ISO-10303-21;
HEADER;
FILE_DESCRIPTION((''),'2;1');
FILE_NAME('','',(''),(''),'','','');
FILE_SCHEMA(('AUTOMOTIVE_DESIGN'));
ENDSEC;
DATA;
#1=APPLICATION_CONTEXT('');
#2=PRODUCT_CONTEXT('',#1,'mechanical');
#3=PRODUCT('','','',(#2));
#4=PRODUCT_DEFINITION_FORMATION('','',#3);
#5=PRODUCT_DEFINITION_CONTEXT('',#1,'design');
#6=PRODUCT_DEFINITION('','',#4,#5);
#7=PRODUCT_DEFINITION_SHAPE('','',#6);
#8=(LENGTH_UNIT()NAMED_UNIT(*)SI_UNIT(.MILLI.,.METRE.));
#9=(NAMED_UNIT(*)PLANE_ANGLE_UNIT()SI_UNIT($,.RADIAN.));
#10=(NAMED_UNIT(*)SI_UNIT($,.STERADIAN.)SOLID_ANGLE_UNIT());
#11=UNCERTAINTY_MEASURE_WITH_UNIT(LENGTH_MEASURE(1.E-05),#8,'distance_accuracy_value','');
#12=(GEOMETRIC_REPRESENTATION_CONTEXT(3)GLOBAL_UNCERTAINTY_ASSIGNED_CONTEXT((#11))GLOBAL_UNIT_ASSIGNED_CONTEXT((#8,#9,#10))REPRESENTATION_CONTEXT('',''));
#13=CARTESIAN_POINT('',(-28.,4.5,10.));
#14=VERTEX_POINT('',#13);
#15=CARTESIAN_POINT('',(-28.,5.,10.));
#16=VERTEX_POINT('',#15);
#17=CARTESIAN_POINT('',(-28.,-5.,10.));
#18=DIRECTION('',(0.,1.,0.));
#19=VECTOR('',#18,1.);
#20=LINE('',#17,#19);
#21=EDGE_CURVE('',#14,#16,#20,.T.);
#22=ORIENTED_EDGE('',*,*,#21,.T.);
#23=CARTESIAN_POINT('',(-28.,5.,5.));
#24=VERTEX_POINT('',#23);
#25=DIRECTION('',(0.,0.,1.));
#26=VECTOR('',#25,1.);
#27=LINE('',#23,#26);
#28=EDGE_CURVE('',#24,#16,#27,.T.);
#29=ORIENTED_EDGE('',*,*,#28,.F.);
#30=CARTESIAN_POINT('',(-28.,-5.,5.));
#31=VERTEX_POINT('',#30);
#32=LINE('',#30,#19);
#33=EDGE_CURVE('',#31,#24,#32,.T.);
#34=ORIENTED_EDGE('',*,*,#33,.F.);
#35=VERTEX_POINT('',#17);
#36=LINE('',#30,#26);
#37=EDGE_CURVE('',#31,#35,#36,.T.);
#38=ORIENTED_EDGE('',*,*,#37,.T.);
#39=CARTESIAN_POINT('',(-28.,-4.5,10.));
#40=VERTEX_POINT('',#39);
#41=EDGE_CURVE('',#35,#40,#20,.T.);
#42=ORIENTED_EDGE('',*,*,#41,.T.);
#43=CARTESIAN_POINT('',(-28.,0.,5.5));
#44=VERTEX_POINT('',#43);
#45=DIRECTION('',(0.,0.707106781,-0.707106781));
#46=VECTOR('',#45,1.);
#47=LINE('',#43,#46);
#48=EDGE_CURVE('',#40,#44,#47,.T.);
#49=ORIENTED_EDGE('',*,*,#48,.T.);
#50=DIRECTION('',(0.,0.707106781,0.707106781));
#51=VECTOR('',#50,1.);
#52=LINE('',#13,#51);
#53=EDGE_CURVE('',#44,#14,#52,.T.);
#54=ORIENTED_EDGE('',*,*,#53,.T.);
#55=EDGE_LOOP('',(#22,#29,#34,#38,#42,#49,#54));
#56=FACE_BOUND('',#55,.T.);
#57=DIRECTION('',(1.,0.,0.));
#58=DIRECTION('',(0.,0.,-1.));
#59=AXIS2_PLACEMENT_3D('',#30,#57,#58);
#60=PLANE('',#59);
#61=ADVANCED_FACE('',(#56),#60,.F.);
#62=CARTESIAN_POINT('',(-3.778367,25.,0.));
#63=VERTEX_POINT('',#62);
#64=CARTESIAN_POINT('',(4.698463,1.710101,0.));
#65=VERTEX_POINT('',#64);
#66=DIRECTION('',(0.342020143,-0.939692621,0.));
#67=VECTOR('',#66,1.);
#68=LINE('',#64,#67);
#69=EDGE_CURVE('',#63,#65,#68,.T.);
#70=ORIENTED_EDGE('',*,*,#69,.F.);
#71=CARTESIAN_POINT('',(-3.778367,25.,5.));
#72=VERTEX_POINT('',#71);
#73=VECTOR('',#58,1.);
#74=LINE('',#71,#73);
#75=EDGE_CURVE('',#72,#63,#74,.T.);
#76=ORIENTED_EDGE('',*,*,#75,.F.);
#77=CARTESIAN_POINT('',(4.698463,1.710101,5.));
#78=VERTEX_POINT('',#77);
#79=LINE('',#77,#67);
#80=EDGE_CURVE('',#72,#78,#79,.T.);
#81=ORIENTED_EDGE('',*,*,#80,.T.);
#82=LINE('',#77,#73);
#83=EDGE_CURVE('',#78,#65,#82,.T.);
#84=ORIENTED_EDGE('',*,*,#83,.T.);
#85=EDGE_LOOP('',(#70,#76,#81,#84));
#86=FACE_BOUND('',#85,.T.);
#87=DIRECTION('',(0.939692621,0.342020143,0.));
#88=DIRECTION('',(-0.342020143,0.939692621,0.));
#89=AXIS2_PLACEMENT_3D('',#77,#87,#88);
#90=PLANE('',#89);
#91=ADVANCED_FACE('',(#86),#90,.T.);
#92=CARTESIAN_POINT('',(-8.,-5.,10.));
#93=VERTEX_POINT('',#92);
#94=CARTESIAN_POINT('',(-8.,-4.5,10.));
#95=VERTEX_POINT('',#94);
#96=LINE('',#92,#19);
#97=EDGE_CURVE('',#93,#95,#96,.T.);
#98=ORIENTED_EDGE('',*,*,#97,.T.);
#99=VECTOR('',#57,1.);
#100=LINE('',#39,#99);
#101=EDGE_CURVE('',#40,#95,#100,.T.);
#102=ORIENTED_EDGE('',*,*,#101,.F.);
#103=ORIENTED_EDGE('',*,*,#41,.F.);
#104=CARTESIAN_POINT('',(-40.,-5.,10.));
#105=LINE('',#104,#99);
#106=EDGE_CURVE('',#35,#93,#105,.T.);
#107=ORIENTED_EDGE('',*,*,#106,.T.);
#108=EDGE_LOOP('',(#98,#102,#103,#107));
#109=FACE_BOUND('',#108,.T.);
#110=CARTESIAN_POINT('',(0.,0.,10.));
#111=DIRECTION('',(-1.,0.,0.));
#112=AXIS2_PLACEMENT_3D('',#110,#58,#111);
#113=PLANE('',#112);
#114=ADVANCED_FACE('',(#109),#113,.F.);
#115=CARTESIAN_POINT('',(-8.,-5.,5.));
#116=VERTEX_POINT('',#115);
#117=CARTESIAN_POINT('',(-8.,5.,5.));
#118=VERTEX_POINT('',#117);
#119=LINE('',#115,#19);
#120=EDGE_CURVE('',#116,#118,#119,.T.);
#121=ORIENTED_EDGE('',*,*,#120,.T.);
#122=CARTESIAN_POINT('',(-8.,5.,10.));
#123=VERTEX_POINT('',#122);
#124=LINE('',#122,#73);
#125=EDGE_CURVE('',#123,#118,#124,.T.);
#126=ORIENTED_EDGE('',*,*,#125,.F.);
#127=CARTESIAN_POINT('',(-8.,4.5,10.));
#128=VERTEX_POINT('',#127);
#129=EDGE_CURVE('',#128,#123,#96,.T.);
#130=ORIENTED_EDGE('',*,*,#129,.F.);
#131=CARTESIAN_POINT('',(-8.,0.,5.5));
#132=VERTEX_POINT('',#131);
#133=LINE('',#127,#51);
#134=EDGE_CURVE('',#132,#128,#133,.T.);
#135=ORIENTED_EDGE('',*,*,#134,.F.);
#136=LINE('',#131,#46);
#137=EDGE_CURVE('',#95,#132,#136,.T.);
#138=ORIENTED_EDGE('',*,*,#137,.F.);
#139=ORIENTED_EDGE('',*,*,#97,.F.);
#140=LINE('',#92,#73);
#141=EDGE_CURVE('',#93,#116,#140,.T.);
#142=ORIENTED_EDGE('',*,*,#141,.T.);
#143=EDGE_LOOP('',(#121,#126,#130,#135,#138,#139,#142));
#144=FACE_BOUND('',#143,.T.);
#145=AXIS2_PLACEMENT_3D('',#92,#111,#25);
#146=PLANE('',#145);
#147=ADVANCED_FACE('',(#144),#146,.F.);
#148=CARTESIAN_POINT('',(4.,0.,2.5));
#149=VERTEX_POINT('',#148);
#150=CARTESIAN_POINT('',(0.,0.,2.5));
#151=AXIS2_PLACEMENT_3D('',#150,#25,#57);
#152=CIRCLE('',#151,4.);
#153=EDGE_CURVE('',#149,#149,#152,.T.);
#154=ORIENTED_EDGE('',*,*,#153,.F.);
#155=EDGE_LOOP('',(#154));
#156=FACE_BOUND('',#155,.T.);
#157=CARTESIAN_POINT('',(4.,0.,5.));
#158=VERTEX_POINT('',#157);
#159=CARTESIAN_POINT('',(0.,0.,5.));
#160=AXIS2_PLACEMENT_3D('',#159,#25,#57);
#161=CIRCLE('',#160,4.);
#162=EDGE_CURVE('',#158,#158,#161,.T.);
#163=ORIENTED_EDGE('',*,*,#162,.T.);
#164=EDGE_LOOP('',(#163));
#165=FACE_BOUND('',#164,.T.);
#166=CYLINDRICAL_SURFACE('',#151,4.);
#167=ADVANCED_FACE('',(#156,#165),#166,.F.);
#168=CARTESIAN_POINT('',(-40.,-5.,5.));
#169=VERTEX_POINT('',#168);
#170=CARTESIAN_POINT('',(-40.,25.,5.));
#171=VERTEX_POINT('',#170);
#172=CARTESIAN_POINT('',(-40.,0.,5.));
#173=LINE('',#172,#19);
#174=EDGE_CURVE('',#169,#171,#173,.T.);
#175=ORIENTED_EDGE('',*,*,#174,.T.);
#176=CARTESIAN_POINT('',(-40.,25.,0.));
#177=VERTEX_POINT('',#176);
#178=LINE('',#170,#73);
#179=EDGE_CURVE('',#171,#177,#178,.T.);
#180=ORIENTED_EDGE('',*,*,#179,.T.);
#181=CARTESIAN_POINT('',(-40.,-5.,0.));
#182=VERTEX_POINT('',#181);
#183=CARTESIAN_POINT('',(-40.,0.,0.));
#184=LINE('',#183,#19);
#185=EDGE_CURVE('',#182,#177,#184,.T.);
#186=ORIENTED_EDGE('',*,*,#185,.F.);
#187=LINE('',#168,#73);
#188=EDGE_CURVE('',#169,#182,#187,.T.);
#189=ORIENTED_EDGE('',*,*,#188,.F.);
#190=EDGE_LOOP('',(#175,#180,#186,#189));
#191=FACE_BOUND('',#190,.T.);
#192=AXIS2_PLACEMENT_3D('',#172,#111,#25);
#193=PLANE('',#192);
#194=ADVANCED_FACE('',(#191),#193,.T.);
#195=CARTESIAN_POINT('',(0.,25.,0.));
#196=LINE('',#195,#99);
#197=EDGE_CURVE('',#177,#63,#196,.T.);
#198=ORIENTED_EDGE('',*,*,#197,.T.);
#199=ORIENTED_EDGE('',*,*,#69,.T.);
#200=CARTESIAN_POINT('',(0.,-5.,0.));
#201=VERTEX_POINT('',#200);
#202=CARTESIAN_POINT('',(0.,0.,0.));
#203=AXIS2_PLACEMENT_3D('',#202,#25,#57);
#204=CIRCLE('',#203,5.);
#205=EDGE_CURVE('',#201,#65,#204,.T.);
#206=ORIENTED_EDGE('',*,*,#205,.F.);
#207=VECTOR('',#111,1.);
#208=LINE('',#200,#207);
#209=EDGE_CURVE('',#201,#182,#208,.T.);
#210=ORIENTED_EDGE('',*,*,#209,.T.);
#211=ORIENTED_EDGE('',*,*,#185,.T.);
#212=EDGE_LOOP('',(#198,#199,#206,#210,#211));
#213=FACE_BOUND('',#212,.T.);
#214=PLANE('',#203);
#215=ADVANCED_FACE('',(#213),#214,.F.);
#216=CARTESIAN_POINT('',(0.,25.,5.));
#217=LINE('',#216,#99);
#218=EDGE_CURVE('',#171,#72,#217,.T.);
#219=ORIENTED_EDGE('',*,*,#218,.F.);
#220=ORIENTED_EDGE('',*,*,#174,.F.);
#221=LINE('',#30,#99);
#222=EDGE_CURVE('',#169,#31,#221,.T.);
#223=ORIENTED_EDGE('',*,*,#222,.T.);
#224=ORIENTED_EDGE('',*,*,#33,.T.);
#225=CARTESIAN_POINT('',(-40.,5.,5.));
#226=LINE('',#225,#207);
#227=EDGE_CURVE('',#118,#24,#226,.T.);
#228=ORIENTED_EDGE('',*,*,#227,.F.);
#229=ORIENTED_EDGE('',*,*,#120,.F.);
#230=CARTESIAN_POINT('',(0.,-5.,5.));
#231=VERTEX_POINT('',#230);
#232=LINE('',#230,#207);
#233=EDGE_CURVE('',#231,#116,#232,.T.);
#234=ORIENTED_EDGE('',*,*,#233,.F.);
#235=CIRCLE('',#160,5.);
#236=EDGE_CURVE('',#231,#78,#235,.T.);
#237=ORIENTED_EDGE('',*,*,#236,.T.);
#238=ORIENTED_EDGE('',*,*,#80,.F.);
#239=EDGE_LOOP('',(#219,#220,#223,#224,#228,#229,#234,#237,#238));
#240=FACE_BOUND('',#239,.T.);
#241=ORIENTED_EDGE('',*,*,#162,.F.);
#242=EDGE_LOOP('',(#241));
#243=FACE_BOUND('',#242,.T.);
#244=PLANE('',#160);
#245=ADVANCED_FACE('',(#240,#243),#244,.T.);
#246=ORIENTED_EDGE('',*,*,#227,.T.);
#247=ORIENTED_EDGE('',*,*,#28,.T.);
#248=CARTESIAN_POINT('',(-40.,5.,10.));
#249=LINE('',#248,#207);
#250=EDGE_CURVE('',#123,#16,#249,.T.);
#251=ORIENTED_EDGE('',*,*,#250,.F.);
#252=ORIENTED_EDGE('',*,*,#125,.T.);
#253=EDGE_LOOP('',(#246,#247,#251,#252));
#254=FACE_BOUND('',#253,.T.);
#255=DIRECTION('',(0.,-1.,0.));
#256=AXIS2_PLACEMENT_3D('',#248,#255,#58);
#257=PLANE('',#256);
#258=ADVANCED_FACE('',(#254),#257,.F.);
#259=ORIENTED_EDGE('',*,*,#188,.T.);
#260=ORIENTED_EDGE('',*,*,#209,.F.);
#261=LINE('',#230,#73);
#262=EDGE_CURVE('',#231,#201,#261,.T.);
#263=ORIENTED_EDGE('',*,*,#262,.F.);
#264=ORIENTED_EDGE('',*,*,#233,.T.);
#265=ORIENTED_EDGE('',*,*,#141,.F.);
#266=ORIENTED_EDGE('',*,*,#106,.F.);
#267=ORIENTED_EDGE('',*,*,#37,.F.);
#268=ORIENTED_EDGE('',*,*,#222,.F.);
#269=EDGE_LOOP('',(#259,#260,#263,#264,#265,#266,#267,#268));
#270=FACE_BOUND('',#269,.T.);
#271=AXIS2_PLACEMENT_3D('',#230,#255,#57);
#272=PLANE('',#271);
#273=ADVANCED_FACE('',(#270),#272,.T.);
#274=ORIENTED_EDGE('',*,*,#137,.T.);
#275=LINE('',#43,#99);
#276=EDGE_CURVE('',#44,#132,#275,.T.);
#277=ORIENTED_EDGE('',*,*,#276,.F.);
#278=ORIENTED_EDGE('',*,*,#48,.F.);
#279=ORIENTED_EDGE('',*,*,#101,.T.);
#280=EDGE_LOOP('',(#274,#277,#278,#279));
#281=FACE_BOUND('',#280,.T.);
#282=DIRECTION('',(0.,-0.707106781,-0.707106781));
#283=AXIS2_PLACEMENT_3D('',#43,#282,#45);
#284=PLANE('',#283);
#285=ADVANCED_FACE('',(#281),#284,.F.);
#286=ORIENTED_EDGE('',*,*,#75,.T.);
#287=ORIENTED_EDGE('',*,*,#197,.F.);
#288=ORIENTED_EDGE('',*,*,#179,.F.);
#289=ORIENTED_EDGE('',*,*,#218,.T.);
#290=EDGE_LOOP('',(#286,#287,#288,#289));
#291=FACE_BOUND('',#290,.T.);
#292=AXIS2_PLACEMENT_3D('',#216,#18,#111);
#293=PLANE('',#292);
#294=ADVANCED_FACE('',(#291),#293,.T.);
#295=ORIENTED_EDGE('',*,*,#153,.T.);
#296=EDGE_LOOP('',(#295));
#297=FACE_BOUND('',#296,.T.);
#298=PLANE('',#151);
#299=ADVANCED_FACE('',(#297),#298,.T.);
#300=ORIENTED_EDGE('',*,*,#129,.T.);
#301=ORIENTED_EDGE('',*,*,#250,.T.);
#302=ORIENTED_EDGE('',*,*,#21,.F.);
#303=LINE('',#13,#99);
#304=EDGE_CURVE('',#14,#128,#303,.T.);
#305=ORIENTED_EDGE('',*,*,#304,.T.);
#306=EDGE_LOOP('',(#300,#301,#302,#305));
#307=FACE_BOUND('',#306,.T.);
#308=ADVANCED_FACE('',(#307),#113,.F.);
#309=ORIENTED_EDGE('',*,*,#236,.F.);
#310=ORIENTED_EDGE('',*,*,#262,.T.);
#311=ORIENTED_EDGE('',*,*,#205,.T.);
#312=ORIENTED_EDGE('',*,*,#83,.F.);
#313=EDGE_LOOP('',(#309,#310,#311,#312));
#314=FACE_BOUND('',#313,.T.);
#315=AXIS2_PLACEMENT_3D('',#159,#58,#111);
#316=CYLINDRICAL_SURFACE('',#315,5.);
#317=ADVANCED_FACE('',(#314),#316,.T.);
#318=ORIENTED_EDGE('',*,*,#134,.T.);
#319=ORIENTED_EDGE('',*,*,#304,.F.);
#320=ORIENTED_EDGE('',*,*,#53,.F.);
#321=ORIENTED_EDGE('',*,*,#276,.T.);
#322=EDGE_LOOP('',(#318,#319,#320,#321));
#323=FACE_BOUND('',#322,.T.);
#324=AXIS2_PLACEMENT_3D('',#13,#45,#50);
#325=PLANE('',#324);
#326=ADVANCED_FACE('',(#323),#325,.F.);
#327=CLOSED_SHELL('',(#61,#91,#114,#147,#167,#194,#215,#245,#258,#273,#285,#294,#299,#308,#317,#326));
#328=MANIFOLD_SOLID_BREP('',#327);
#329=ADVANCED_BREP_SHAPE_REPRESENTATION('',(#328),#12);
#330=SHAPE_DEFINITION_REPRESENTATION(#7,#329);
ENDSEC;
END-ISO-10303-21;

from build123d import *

# Parameters (mm, degrees)
SKETCH_1_R          = 5
EXTRUDE_1_DEPTH     = 5
SKETCH_2_R          = 4
CUT_EXTRUDE_1_DEPTH = 2.5
SKETCH_3_W          = 32
SKETCH_3_H          = 10
EXTRUDE_2_DEPTH     = 5
CUT_EXTRUDE_2_DEPTH = 20
SKETCH_5_W          = 12
SKETCH_5_H          = 10
CUT_EXTRUDE_3_DEPTH = 5


with BuildPart() as part:
    # 草图1 → 凸台-拉伸1 (new body)
    with BuildSketch(Plane.XY):
        Circle(SKETCH_1_R)
        with BuildLine():
            Line((-40, -5), (0, -5))
            ThreePointArc((0, -5), (-4.095760221, 2.867882182), (4.698463104, 1.710100717))
            Line((4.698463104, 1.710100717), (-3.778366994, 25))
            Line((-3.778366994, 25), (-40, 25))
            Line((-40, 25), (-40, -5))
        make_face()
    extrude(amount=EXTRUDE_1_DEPTH)

    # 草图2 → 切除-拉伸1 (cut)
    with BuildSketch(Plane.XY.offset(5)):
        Circle(SKETCH_2_R)
    extrude(amount=-CUT_EXTRUDE_1_DEPTH, mode=Mode.SUBTRACT)

    # 草图3 → 凸台-拉伸2 (add)
    with BuildSketch(Plane.XY.offset(5)):
        with Locations((-24, 0)):
            Rectangle(SKETCH_3_W, SKETCH_3_H)
    extrude(amount=EXTRUDE_2_DEPTH)

    # 草图4 → 切除-拉伸2 (cut)
    with BuildSketch(Plane(origin=(-8, 0, 0), x_dir=(0, 0, -1), z_dir=(1, 0, 0))):
        Polygon((-10, 4.5), (-5.5, 0), (-10, -4.5), align=None)
    extrude(amount=-CUT_EXTRUDE_2_DEPTH, mode=Mode.SUBTRACT)

    # 草图5 → 切除-拉伸3 (cut)
    with BuildSketch(Plane.XY.offset(10)):
        with Locations((-34, 0)):
            Rectangle(SKETCH_5_W, SKETCH_5_H)
    extrude(amount=-CUT_EXTRUDE_3_DEPTH, mode=Mode.SUBTRACT)


solid = part.part
